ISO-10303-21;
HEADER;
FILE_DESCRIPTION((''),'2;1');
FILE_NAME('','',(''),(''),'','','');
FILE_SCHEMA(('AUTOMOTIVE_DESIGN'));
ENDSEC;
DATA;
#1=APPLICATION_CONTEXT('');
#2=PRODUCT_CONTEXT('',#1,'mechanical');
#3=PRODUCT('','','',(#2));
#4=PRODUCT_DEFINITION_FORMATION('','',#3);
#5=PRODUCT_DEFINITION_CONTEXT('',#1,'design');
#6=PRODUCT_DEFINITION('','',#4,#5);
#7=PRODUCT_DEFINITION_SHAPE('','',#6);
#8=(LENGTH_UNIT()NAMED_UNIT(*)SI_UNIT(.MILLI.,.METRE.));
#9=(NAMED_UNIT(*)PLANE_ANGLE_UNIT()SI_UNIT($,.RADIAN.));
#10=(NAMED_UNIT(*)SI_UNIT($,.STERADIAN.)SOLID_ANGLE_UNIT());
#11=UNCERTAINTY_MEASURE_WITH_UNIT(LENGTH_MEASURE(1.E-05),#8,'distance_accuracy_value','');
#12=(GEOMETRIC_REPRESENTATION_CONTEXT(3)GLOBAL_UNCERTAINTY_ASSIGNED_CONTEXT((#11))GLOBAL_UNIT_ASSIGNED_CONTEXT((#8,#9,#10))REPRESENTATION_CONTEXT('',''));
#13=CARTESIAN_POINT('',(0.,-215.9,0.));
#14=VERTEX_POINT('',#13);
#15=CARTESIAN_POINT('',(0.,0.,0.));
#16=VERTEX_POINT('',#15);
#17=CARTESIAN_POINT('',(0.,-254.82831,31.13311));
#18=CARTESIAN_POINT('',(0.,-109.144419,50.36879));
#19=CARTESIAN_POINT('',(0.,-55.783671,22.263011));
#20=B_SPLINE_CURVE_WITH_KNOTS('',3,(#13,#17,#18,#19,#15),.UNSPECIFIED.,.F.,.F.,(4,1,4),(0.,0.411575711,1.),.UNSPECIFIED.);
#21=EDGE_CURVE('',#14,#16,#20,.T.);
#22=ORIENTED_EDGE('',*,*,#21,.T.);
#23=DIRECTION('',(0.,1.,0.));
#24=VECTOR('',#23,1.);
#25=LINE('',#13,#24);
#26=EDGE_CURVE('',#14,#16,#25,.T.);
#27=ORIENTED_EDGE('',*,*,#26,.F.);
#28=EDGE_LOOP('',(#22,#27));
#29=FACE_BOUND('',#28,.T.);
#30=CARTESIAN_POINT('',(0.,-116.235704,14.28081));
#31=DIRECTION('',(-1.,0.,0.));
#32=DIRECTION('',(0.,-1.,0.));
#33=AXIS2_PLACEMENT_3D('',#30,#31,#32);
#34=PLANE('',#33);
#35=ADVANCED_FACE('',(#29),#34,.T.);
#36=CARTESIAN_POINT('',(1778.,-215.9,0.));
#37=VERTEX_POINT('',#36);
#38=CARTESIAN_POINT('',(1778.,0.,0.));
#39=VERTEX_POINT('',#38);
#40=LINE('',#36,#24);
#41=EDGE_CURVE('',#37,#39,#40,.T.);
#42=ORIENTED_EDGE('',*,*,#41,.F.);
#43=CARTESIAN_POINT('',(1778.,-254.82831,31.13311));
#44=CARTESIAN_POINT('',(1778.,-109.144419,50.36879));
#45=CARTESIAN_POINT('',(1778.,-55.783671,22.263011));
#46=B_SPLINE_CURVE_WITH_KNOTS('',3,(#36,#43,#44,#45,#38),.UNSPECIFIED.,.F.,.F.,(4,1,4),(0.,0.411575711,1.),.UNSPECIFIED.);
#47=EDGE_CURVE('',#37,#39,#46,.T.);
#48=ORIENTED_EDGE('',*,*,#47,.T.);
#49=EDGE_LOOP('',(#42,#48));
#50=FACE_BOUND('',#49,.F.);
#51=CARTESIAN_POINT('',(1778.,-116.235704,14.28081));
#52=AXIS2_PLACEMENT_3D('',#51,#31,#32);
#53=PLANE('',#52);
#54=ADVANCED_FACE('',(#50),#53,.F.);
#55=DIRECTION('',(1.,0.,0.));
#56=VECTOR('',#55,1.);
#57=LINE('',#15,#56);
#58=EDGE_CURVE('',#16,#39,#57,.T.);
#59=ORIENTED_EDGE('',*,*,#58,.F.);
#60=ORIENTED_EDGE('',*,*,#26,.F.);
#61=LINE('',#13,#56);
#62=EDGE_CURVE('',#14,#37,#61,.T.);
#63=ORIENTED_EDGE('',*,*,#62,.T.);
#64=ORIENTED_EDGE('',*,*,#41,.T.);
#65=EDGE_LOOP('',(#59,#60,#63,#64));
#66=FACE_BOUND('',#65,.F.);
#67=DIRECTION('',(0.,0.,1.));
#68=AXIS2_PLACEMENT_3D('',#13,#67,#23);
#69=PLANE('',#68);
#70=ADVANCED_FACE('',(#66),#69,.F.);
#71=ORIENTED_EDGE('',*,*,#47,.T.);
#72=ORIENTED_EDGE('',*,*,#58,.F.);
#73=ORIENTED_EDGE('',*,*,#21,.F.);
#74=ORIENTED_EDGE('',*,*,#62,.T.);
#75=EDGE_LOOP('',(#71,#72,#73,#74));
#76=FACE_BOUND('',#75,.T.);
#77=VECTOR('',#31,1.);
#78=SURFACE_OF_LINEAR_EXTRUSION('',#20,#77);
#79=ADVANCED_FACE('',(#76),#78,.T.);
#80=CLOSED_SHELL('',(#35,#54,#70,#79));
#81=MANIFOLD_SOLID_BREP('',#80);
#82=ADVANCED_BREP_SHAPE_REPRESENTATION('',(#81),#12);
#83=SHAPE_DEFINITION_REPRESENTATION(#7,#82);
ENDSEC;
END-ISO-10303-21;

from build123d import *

# Parameters (mm, degrees)
F1_DEPTH = 1778


with BuildPart() as f1:
    # F0 (on Right) → F1 (new body)
    with BuildSketch(Plane.YZ):
        with BuildLine():
            add(Edge.make_bspline(
                [(-215.9, 0), (-254.8283100128, 31.1331100762), (-109.1444188426, 50.3687896295), (-55.7836709922, 22.2630112389), (0, 0)],
                knots=[0, 0, 0, 0, 0.4115757107, 1, 1, 1, 1], degree=3))
            Line((-215.9, 0), (0, 0))
        make_face()
    extrude(amount=F1_DEPTH)


solid = f1.part
